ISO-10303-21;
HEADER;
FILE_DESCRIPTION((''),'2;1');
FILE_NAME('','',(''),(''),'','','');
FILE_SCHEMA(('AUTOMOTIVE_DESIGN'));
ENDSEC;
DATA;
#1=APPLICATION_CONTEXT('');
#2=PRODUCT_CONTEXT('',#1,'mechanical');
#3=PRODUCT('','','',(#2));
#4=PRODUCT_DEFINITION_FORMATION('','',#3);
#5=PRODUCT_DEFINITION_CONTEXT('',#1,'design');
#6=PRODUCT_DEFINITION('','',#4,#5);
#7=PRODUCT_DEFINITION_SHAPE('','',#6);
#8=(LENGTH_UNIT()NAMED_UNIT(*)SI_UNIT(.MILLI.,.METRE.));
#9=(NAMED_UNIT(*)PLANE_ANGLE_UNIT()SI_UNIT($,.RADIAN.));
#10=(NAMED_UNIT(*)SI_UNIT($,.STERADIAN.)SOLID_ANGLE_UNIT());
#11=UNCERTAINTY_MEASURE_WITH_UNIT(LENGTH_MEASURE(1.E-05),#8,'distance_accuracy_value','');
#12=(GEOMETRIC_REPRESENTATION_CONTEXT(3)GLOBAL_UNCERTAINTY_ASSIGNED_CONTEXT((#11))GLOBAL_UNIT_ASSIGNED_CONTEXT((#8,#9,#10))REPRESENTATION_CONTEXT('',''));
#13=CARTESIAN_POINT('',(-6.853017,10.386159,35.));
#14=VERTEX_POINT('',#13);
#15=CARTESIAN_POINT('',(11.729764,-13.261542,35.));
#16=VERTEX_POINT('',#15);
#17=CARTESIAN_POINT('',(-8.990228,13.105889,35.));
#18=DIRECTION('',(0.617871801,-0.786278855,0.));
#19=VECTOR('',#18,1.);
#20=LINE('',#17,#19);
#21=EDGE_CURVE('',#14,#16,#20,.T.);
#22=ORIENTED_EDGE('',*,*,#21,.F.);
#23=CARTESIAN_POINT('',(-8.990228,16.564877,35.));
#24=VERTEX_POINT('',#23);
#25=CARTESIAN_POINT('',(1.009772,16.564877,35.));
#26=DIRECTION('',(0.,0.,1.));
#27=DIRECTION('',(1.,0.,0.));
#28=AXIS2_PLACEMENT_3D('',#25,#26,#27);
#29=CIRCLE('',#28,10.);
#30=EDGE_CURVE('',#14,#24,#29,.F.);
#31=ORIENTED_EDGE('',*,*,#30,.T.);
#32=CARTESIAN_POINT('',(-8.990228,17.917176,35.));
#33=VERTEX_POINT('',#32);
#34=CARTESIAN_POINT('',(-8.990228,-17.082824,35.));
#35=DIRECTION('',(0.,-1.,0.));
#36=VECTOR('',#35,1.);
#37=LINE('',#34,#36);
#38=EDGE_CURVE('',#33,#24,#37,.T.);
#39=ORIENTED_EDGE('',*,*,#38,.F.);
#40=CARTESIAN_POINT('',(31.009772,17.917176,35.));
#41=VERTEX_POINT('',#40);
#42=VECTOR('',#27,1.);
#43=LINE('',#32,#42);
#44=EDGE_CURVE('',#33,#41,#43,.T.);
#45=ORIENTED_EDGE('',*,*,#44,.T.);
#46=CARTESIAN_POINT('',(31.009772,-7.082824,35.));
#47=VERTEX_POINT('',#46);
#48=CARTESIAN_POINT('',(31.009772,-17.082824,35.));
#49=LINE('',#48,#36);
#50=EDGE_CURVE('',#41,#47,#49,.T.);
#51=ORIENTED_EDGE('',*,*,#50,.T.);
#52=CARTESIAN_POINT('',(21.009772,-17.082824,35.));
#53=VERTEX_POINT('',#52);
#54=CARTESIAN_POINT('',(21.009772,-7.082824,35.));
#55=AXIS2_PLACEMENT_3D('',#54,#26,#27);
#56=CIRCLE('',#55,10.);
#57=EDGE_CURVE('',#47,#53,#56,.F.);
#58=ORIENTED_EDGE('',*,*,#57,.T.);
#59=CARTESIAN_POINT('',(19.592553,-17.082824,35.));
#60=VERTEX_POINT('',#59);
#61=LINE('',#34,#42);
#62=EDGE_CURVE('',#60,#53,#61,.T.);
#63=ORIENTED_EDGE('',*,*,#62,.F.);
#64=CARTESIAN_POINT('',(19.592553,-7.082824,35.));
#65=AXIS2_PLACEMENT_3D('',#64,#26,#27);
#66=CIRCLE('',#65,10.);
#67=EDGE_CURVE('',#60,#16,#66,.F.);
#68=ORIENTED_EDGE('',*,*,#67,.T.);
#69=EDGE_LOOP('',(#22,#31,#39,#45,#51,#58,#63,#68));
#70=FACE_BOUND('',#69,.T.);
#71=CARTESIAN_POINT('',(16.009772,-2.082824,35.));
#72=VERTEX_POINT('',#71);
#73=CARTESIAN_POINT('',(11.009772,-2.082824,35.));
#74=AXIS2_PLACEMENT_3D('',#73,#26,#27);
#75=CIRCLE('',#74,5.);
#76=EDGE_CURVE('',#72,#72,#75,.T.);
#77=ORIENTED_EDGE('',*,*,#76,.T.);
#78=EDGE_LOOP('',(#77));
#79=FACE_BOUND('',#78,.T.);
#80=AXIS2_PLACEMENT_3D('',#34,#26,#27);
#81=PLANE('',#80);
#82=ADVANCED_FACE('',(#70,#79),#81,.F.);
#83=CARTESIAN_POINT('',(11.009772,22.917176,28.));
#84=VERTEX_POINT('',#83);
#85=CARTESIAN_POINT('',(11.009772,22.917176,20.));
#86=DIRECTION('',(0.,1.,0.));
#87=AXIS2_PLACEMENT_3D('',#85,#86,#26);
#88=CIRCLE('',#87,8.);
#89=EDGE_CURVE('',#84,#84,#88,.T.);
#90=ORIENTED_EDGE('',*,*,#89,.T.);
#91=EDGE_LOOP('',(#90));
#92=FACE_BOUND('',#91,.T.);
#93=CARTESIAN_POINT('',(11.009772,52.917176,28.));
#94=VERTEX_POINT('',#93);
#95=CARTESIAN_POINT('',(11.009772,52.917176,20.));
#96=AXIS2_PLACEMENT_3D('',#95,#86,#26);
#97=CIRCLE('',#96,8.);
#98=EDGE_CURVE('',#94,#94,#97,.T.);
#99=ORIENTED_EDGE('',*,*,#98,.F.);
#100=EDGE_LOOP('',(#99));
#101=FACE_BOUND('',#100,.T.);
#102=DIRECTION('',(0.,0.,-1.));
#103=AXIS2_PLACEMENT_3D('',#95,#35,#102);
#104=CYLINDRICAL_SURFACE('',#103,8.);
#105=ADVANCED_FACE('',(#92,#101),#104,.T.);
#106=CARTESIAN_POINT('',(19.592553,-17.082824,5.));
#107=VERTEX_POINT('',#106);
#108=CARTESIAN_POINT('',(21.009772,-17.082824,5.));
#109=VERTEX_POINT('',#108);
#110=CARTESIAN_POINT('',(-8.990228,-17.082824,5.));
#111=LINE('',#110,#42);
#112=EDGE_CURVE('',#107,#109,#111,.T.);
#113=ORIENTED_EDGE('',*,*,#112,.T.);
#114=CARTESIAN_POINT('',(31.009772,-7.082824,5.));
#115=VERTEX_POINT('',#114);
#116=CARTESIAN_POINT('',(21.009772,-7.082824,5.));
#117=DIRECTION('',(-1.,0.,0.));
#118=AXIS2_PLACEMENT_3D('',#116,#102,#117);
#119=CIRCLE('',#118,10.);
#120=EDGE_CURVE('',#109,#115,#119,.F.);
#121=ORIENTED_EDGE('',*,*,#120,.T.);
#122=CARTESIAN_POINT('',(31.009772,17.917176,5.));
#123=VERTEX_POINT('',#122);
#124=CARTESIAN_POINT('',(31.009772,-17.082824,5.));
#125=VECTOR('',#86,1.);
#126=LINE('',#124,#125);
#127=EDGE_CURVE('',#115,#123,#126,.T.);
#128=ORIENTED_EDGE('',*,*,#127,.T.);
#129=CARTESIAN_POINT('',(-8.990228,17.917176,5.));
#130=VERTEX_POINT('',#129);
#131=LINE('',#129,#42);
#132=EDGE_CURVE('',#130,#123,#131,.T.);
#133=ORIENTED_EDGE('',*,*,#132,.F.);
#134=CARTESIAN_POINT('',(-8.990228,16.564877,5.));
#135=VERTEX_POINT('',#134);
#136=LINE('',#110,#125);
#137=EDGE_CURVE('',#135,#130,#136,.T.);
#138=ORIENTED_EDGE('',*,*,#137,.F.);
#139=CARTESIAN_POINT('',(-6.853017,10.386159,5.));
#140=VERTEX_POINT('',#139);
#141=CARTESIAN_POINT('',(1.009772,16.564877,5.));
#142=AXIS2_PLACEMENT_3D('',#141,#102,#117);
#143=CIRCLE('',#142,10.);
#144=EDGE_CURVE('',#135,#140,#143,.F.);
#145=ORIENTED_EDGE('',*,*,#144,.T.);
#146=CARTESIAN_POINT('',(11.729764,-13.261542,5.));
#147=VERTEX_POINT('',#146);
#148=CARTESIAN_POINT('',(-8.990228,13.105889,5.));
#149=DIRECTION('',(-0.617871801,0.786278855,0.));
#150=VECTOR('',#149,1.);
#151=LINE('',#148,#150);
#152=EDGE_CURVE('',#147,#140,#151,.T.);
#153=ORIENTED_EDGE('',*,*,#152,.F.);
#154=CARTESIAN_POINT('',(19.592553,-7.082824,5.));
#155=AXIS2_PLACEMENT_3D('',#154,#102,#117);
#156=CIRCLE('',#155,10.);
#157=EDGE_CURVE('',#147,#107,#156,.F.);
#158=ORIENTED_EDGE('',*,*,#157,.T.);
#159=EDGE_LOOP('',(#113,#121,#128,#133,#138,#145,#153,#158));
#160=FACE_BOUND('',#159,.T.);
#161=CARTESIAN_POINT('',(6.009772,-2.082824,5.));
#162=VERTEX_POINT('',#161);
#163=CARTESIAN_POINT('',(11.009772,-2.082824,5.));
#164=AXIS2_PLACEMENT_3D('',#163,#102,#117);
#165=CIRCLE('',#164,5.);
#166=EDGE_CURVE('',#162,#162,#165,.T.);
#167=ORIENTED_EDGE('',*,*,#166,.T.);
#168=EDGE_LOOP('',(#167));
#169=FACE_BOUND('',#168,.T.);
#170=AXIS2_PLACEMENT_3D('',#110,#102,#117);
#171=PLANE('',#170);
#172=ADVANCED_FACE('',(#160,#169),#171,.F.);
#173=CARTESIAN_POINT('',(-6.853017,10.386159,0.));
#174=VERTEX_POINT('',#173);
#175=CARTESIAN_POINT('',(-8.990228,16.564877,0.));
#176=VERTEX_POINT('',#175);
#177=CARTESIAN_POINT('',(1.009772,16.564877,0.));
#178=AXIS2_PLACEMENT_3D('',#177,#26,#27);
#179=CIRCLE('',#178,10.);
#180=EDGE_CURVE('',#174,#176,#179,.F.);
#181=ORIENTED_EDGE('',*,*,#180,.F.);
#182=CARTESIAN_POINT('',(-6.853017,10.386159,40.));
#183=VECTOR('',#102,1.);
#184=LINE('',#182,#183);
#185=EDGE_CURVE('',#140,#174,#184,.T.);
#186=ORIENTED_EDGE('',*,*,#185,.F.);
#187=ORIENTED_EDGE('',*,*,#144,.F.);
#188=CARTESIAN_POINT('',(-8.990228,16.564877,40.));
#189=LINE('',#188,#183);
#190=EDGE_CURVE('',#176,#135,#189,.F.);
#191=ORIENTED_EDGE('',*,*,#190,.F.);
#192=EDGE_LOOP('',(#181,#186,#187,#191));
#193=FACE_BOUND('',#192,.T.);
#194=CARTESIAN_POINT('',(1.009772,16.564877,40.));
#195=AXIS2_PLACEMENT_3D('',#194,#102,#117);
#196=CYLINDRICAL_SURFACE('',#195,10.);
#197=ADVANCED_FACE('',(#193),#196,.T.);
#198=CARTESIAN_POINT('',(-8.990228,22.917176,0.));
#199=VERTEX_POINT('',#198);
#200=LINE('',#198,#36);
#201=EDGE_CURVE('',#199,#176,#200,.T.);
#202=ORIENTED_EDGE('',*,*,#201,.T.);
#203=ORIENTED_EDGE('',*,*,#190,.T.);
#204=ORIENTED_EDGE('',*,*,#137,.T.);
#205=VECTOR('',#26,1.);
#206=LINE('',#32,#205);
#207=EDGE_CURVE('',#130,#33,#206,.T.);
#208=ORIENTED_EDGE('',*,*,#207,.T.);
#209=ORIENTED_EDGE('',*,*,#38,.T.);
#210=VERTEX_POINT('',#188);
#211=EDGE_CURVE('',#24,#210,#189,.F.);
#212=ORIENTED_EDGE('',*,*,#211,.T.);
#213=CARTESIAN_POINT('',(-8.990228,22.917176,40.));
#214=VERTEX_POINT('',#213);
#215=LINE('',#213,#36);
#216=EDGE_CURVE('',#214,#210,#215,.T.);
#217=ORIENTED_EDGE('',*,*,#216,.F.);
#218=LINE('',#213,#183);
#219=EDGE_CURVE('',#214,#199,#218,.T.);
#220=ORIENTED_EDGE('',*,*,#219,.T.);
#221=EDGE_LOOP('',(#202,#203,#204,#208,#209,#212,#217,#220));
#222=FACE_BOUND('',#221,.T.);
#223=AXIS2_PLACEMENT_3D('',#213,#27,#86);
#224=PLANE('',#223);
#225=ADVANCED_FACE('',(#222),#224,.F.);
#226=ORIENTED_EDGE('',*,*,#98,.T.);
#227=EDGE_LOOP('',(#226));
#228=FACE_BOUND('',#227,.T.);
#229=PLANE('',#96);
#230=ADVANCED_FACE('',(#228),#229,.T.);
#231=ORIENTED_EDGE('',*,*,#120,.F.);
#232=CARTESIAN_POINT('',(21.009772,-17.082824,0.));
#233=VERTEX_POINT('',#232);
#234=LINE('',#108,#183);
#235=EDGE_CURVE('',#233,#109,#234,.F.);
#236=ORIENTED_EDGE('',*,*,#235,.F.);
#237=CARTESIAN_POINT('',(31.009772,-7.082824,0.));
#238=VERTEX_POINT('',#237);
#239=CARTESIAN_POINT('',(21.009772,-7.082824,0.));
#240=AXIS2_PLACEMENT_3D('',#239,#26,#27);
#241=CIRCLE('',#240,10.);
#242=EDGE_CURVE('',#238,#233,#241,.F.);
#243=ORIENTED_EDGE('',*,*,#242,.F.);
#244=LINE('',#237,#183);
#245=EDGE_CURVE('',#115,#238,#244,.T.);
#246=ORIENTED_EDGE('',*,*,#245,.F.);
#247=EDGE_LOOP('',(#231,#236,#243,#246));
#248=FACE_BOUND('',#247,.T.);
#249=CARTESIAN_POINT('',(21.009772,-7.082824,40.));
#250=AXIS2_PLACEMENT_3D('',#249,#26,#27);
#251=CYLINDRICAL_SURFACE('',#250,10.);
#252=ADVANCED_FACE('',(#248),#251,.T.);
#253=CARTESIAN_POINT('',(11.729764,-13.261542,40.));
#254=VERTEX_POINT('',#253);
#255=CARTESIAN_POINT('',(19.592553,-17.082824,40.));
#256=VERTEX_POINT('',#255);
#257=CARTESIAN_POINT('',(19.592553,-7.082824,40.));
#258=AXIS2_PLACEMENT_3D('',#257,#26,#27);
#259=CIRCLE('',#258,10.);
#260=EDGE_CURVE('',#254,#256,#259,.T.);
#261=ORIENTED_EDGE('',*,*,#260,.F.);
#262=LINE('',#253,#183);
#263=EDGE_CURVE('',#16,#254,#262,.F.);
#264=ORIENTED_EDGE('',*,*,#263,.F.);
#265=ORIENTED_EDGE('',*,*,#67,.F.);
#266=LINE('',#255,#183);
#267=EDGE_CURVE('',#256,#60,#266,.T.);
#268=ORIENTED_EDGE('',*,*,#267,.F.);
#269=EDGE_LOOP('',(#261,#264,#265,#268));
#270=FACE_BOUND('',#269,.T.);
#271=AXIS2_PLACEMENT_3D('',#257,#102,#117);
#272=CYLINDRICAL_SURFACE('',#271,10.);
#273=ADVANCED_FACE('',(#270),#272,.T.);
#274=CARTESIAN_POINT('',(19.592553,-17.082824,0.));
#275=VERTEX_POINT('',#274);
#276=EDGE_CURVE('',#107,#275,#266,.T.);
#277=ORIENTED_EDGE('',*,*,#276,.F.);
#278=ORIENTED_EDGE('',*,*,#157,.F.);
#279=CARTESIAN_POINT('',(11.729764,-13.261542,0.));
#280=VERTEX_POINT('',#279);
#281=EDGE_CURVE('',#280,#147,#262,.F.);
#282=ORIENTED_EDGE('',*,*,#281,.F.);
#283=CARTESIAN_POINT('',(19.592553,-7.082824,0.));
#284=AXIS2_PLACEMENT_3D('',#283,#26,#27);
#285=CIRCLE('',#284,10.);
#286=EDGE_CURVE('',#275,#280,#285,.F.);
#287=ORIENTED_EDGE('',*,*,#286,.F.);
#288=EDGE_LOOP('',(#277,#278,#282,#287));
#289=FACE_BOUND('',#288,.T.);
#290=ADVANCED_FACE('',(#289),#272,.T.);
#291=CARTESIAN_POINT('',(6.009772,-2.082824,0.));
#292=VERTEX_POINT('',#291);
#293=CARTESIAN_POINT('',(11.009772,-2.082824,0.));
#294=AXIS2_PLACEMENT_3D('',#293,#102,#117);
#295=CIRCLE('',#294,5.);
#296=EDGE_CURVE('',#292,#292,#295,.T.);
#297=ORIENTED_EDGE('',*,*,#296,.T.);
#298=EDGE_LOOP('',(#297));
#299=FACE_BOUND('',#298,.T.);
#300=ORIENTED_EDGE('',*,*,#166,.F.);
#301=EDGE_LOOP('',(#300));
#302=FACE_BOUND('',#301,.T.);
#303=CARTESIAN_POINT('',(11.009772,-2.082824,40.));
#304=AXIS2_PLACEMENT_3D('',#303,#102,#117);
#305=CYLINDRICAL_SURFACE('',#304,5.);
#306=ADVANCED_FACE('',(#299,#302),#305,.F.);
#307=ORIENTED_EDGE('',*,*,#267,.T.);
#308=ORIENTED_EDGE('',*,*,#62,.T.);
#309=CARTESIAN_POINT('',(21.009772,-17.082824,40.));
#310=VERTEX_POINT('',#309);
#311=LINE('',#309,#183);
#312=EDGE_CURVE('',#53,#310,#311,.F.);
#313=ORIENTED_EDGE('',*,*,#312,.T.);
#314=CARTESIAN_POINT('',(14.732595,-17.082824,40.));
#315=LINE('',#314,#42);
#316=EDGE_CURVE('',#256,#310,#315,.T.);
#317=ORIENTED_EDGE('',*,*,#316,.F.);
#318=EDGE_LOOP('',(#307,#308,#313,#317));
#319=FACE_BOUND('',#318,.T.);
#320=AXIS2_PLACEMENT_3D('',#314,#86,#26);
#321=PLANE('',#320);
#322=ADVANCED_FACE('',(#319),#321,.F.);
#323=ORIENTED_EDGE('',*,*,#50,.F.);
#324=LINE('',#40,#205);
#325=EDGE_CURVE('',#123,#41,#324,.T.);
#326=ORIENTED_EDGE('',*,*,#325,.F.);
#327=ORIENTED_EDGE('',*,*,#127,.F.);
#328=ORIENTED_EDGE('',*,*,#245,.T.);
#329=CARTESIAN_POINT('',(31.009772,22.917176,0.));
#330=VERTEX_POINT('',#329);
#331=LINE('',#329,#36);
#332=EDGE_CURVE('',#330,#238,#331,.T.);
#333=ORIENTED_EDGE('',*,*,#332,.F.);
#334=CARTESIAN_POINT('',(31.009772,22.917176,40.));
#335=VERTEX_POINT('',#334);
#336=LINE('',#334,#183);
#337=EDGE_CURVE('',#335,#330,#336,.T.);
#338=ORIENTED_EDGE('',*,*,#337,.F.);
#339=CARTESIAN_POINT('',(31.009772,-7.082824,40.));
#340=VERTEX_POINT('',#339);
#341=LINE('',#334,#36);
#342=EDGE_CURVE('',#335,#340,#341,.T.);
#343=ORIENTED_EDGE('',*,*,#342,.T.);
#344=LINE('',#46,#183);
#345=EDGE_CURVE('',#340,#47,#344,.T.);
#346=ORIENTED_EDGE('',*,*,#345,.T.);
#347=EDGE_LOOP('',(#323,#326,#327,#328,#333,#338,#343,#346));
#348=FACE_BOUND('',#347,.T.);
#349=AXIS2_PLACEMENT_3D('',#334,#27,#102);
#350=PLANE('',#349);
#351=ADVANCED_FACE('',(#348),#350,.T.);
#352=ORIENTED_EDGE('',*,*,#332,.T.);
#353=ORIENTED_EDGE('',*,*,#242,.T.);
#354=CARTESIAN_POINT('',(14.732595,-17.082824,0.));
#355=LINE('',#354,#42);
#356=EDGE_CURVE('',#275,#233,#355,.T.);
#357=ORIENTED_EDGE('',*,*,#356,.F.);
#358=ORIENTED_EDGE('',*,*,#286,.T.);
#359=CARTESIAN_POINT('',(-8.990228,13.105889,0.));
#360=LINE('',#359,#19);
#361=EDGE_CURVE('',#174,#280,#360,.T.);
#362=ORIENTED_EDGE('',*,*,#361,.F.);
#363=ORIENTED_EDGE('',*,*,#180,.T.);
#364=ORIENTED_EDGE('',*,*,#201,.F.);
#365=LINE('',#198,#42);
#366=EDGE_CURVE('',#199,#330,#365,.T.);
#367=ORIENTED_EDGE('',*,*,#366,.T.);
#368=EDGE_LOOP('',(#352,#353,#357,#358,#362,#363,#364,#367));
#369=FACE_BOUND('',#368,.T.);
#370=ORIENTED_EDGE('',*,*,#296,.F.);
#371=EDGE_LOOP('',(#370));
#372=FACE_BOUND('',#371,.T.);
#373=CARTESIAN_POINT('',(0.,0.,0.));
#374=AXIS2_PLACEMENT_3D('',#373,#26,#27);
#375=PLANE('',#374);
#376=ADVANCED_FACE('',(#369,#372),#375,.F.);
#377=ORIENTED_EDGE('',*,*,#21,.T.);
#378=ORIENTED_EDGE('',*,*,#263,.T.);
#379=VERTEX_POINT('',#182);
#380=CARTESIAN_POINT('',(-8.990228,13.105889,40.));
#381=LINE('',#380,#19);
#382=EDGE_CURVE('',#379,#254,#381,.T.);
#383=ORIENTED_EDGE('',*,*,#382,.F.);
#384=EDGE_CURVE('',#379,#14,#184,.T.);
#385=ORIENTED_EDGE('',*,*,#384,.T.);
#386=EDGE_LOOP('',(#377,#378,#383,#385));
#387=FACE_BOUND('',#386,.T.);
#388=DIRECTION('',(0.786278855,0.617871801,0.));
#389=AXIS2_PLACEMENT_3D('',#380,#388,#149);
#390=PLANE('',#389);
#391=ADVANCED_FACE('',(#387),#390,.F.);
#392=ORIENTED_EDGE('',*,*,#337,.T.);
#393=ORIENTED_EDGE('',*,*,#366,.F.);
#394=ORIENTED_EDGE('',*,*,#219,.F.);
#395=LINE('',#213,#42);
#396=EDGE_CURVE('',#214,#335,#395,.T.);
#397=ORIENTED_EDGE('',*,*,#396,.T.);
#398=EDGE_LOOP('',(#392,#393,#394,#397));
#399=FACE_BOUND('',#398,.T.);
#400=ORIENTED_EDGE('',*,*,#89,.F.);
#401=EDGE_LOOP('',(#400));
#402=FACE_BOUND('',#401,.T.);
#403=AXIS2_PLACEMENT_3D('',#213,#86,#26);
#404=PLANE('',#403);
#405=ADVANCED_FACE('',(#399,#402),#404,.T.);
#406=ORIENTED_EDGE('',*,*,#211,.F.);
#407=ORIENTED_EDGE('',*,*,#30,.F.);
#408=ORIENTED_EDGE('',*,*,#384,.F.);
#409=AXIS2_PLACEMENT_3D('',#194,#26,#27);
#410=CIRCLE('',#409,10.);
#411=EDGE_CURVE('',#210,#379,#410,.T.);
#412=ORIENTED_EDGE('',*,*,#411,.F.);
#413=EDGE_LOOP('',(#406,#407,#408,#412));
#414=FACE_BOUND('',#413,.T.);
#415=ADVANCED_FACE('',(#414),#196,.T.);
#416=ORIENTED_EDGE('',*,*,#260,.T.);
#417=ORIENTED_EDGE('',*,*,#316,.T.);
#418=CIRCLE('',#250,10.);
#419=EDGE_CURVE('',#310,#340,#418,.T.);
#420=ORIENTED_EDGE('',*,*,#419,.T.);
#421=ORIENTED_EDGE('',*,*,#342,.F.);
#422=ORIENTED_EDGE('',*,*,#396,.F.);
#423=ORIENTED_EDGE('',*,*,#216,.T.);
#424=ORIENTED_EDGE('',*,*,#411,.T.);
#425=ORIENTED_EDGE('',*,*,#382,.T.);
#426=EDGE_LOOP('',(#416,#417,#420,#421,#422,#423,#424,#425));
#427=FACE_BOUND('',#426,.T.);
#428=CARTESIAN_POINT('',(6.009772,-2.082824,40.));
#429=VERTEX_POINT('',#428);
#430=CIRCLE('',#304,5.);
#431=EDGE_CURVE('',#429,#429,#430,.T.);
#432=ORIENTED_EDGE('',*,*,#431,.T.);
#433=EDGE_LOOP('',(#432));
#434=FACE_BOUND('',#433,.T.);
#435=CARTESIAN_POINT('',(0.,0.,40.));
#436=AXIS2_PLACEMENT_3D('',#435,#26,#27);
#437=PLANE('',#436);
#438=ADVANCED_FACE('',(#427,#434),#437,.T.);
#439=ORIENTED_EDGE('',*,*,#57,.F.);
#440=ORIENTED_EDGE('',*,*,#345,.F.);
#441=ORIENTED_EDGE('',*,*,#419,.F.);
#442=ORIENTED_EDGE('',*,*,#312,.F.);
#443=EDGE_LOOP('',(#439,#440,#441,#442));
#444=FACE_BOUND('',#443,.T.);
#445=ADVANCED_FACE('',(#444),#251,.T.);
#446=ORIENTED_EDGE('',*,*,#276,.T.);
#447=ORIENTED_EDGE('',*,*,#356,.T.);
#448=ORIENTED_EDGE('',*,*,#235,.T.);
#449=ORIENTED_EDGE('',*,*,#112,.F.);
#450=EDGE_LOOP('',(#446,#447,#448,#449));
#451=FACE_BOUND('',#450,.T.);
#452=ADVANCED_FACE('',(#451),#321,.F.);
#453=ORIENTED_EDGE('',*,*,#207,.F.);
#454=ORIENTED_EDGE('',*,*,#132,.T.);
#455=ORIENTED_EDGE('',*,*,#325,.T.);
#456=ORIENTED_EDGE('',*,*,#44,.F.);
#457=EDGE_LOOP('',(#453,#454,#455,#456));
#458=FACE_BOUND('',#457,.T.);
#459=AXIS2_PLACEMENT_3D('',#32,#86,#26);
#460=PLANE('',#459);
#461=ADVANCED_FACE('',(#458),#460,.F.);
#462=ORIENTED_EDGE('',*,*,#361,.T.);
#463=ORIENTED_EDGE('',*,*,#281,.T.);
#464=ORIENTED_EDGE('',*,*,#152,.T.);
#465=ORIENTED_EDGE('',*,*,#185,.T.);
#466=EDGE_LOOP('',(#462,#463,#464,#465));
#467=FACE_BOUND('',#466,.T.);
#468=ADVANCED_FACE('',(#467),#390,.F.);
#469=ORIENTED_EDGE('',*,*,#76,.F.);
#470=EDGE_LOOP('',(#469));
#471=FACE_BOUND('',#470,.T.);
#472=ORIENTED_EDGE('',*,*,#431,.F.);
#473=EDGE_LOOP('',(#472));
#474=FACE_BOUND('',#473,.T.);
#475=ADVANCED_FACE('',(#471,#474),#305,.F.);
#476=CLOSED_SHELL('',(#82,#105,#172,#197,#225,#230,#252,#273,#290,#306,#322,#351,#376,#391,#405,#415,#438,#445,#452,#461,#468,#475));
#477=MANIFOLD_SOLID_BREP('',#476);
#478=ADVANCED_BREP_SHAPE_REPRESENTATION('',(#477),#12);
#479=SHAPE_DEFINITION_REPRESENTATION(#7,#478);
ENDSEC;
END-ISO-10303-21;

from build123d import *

# Parameters (mm, degrees)
DODANIE_WYCI_GNI_CIE1_DEPTH = 40
SZKIC2_W                    = 30
SZKIC2_H                    = 35
WYTNIJ_WYCI_GNI_CIE1_DEPTH  = 40
SZKIC3_R                    = 5
WYTNIJ_WYCI_GNI_CIE2_DEPTH  = 40
ZAOKR_GLENIE1_R             = 10
SZKIC4_R                    = 8
DODANIE_WYCI_GNI_CIE2_DEPTH = 30


with BuildPart() as part:
    # Szkic1 → Dodanie-wyciągnięcie1 (new body)
    with BuildSketch(Plane.XY):
        Polygon((-8.990228013, 22.917176047), (31.009771987, 22.917176047), (31.009771987, -17.082823953), (14.732595321, -17.082823953), (-8.990228013, 13.105888901), align=None)
    extrude(amount=DODANIE_WYCI_GNI_CIE1_DEPTH)

    # Szkic2 → Wytnij-wyciągnięcie1 (cut)
    with BuildSketch(Plane(origin=(31.009771987, 0, 0), x_dir=(0, 0, -1), z_dir=(1, 0, 0))):
        with Locations((-20, 0.417176047)):
            Rectangle(SZKIC2_W, SZKIC2_H)
    extrude(amount=-WYTNIJ_WYCI_GNI_CIE1_DEPTH, mode=Mode.SUBTRACT)

    # Szkic3 → Wytnij-wyciągnięcie2 (cut)
    with BuildSketch(Plane(origin=(0, 0, 0), x_dir=(-1, 0, 0), z_dir=(0, 0, -1))):
        with Locations((-11.009771987, -2.082823953)):
            Circle(SZKIC3_R)
    extrude(amount=-WYTNIJ_WYCI_GNI_CIE2_DEPTH, mode=Mode.SUBTRACT)

    # Zaokrąglenie1
    zaokr_glenie1_edges = [part.edges().sort_by_distance(p)[0] for p in [
        (31.009771987, -17.082823953, 2.5),
        (14.732595321, -17.082823953, 2.5),
        (-8.990228013, 13.105888901, 2.5),
        (31.009771987, -17.082823953, 37.5),
        (14.732595321, -17.082823953, 37.5),
        (-8.990228013, 13.105888901, 37.5),
    ]]
    fillet(zaokr_glenie1_edges, radius=ZAOKR_GLENIE1_R)

    # Szkic4 → Dodanie-wyciągnięcie2 (add)
    with BuildSketch(Plane(origin=(0, 22.917176047, 0), x_dir=(1, 0, 0), z_dir=(0, 1, 0))):
        with Locations((11.009771987, -20)):
            Circle(SZKIC4_R)
    extrude(amount=DODANIE_WYCI_GNI_CIE2_DEPTH)


solid = part.part
